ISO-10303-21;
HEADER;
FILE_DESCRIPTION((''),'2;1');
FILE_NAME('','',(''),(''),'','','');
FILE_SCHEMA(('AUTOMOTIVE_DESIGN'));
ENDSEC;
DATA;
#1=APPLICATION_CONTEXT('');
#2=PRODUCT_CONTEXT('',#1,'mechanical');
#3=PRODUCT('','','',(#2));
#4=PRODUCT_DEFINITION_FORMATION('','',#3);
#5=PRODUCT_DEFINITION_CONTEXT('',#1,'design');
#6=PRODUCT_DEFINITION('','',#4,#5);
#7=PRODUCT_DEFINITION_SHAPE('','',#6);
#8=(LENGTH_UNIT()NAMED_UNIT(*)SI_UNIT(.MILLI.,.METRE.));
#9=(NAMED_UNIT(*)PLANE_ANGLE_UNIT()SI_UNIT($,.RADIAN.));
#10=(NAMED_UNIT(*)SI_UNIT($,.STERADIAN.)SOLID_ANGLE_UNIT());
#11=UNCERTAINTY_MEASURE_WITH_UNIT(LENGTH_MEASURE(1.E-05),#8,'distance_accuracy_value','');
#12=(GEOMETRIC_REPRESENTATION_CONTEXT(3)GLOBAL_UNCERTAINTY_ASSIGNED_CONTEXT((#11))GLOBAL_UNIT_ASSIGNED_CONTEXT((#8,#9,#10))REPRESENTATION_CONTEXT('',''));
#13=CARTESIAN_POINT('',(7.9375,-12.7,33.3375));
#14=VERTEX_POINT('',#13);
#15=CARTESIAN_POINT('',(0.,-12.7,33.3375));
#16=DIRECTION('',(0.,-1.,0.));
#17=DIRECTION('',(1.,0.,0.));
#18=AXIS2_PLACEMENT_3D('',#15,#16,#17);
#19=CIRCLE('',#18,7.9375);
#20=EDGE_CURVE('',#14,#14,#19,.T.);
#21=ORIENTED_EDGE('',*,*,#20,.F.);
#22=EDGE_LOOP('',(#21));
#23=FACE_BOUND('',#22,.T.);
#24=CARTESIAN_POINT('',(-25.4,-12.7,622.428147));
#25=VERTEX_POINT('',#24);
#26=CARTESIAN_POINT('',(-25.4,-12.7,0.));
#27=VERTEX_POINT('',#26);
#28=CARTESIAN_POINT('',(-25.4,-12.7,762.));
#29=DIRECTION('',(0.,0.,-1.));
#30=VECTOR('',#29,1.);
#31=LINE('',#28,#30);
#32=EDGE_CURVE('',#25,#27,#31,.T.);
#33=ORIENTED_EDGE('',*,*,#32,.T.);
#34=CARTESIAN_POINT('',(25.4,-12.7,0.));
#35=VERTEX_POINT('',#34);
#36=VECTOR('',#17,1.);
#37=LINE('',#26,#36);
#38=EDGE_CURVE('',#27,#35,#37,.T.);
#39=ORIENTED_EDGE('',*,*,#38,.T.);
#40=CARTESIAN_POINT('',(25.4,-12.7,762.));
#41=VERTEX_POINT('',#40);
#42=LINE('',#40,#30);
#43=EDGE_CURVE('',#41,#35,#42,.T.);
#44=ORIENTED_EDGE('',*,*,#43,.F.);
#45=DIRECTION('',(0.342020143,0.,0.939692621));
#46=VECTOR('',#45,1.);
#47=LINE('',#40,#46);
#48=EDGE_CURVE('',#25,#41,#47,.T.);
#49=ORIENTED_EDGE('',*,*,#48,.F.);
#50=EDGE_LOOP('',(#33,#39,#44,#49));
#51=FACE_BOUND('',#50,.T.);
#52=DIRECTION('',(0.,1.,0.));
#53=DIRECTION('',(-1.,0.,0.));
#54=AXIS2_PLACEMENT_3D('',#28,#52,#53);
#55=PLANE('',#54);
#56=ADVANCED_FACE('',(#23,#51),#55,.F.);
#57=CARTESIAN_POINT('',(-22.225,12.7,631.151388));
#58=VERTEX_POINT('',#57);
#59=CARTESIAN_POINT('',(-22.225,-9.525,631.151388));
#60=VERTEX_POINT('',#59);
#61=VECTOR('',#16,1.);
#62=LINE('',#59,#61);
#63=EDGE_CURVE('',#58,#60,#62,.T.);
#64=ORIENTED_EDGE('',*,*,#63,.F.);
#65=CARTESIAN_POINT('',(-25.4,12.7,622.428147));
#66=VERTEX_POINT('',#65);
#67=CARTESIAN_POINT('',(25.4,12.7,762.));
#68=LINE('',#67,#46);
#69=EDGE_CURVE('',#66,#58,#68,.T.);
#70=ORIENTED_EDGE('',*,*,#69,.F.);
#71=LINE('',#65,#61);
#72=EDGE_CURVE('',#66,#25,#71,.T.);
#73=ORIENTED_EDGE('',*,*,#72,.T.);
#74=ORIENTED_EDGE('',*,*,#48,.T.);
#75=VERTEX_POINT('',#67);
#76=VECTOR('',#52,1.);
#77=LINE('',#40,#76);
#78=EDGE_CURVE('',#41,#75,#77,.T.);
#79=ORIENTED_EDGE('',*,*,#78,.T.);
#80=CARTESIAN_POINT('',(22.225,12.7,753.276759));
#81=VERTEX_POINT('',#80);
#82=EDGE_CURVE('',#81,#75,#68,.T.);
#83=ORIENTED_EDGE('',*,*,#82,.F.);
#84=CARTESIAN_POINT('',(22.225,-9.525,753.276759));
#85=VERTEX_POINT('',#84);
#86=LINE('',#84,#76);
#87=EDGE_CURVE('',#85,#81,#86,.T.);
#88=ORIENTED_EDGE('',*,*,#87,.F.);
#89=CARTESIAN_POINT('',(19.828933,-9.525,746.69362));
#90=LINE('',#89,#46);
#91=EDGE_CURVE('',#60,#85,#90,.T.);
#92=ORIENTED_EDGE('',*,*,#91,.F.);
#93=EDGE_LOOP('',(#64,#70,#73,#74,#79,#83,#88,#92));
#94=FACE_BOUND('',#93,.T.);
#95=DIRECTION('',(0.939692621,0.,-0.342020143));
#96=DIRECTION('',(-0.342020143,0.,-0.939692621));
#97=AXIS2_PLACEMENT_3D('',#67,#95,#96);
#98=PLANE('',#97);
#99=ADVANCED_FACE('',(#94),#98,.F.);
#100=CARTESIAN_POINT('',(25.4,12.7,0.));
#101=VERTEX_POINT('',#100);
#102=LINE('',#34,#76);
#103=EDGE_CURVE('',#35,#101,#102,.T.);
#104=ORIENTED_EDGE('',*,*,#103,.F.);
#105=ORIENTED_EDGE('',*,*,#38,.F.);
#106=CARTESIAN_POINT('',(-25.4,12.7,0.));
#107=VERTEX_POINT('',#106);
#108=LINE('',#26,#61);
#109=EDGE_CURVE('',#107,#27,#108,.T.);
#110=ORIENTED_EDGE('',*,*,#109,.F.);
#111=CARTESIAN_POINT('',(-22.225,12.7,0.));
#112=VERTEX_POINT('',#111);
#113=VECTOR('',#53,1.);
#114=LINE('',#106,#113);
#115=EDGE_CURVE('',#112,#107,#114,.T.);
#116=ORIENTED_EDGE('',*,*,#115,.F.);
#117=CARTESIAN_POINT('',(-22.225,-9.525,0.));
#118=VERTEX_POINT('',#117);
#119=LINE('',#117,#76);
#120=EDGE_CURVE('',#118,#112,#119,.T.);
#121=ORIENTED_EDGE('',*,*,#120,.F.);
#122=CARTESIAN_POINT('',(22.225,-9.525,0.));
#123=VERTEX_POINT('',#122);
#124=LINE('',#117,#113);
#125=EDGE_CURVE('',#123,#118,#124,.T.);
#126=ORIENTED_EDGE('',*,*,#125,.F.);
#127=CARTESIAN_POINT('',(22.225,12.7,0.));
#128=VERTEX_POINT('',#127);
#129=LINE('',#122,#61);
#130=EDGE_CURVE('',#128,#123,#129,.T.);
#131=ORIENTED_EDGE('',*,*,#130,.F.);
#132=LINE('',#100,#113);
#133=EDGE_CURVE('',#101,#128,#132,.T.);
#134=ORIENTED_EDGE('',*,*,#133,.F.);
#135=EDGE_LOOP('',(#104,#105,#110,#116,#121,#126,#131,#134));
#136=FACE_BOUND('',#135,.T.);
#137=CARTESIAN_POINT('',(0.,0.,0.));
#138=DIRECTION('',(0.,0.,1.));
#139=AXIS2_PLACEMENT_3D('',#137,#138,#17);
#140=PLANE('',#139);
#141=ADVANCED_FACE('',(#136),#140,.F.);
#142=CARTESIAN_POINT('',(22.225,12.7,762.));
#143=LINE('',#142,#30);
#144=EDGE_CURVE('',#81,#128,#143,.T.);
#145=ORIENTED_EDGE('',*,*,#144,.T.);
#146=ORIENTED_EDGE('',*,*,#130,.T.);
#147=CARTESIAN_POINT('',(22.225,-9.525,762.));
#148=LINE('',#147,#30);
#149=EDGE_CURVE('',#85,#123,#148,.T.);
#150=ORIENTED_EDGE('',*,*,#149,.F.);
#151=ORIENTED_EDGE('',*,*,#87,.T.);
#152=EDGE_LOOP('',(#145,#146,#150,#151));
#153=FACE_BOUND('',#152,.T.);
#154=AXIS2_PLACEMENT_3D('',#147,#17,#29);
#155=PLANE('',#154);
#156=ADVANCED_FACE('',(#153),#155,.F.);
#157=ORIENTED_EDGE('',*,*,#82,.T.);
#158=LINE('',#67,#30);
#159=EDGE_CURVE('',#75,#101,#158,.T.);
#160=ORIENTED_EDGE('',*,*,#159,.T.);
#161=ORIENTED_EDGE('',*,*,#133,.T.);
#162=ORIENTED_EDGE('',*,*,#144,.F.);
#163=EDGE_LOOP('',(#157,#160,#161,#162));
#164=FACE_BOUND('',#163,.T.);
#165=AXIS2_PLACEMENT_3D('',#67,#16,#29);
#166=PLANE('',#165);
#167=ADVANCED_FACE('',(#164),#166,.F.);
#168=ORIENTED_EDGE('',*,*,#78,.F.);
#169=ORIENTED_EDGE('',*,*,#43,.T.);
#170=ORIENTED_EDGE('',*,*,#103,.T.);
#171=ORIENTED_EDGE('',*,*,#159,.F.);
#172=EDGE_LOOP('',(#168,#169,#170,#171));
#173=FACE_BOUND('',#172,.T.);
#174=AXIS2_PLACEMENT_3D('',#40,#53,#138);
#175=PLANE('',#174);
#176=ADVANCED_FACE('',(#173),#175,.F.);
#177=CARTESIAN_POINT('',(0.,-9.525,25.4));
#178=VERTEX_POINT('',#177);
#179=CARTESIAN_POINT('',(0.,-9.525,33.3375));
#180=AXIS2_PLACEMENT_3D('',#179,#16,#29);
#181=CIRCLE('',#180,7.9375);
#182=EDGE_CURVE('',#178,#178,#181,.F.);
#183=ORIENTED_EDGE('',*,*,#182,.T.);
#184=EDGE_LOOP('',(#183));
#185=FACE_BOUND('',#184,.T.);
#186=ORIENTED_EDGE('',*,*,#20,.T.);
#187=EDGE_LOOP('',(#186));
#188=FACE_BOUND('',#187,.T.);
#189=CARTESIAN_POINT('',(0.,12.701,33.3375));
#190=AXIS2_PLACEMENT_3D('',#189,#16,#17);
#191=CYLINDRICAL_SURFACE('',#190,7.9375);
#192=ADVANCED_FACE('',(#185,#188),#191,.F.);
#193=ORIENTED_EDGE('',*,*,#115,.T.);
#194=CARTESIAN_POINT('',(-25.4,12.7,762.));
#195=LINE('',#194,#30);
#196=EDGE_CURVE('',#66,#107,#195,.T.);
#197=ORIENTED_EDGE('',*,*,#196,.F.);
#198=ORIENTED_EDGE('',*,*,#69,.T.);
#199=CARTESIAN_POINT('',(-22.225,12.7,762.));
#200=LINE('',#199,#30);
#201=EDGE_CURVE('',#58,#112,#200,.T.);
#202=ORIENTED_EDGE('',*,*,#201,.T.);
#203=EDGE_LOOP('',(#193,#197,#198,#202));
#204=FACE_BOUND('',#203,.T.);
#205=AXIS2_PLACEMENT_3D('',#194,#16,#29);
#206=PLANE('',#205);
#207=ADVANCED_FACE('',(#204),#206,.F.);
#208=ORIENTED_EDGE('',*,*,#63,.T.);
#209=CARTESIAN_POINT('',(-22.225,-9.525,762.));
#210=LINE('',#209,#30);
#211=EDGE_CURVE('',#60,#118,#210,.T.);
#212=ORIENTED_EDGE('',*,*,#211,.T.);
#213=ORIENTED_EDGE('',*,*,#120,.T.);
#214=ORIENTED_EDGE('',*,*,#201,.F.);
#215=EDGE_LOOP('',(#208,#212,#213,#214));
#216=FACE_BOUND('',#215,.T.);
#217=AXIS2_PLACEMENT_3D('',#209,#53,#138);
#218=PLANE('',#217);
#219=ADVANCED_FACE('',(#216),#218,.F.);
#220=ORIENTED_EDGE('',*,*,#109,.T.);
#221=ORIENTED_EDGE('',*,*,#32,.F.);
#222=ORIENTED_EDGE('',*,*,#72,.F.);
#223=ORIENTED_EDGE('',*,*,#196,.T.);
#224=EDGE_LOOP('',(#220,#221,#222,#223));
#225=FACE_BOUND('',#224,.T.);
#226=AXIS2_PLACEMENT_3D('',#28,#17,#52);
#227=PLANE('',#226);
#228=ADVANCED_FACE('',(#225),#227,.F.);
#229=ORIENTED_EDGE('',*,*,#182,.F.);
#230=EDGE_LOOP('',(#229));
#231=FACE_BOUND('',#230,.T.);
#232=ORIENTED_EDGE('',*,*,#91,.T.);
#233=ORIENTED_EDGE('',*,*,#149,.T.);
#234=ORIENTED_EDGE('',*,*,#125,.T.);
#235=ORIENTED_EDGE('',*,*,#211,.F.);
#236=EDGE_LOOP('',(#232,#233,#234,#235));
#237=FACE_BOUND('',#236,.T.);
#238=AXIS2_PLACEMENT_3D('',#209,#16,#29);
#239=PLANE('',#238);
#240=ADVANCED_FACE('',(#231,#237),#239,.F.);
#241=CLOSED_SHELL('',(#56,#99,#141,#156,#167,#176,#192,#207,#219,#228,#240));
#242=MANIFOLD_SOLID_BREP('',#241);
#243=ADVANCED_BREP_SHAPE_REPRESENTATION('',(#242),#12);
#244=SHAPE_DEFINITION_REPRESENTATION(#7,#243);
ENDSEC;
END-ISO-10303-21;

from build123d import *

# Parameters (mm, degrees)
BOSS_EXTRUDE1_DEPTH = 762
CUT_EXTRUDE1_DEPTH  = 763.846196818
CUT_EXTRUDE2_REACH  = 764.846
SKETCH3_R           = 7.9375


with BuildPart() as part:
    # Sketch1 → Boss-Extrude1 (new body)
    with BuildSketch(Plane.XY):
        Polygon((-22.225, -9.525), (-22.225, 12.7), (-25.4, 12.7), (-25.4, -12.7), (25.4, -12.7), (25.4, 12.7), (22.225, 12.7), (22.225, -9.525), align=None)
    extrude(amount=BOSS_EXTRUDE1_DEPTH)

    # Sketch2 → Cut-Extrude1 (cut, through all)
    with BuildSketch(Plane.XZ.offset(12.7)):
        Polygon((25.4, 762), (-25.4, 622.428147092), (-25.4, 762), align=None)
    extrude(amount=-CUT_EXTRUDE1_DEPTH, mode=Mode.SUBTRACT)

    # Sketch3 → Cut-Extrude2 (cut, up to next)
    with BuildSketch(Plane.XZ.offset(12.7), mode=Mode.PRIVATE) as cut_extrude2_sk1:
        with Locations((0, 33.3375)):
            Circle(SKETCH3_R)
    cut_extrude2_tool1 = extrude(cut_extrude2_sk1.sketch, amount=-CUT_EXTRUDE2_REACH, mode=Mode.PRIVATE) & part.part
    add(cut_extrude2_tool1.solids().sort_by_distance((0, -12.7, 33.3375))[0], mode=Mode.SUBTRACT)


solid = part.part
